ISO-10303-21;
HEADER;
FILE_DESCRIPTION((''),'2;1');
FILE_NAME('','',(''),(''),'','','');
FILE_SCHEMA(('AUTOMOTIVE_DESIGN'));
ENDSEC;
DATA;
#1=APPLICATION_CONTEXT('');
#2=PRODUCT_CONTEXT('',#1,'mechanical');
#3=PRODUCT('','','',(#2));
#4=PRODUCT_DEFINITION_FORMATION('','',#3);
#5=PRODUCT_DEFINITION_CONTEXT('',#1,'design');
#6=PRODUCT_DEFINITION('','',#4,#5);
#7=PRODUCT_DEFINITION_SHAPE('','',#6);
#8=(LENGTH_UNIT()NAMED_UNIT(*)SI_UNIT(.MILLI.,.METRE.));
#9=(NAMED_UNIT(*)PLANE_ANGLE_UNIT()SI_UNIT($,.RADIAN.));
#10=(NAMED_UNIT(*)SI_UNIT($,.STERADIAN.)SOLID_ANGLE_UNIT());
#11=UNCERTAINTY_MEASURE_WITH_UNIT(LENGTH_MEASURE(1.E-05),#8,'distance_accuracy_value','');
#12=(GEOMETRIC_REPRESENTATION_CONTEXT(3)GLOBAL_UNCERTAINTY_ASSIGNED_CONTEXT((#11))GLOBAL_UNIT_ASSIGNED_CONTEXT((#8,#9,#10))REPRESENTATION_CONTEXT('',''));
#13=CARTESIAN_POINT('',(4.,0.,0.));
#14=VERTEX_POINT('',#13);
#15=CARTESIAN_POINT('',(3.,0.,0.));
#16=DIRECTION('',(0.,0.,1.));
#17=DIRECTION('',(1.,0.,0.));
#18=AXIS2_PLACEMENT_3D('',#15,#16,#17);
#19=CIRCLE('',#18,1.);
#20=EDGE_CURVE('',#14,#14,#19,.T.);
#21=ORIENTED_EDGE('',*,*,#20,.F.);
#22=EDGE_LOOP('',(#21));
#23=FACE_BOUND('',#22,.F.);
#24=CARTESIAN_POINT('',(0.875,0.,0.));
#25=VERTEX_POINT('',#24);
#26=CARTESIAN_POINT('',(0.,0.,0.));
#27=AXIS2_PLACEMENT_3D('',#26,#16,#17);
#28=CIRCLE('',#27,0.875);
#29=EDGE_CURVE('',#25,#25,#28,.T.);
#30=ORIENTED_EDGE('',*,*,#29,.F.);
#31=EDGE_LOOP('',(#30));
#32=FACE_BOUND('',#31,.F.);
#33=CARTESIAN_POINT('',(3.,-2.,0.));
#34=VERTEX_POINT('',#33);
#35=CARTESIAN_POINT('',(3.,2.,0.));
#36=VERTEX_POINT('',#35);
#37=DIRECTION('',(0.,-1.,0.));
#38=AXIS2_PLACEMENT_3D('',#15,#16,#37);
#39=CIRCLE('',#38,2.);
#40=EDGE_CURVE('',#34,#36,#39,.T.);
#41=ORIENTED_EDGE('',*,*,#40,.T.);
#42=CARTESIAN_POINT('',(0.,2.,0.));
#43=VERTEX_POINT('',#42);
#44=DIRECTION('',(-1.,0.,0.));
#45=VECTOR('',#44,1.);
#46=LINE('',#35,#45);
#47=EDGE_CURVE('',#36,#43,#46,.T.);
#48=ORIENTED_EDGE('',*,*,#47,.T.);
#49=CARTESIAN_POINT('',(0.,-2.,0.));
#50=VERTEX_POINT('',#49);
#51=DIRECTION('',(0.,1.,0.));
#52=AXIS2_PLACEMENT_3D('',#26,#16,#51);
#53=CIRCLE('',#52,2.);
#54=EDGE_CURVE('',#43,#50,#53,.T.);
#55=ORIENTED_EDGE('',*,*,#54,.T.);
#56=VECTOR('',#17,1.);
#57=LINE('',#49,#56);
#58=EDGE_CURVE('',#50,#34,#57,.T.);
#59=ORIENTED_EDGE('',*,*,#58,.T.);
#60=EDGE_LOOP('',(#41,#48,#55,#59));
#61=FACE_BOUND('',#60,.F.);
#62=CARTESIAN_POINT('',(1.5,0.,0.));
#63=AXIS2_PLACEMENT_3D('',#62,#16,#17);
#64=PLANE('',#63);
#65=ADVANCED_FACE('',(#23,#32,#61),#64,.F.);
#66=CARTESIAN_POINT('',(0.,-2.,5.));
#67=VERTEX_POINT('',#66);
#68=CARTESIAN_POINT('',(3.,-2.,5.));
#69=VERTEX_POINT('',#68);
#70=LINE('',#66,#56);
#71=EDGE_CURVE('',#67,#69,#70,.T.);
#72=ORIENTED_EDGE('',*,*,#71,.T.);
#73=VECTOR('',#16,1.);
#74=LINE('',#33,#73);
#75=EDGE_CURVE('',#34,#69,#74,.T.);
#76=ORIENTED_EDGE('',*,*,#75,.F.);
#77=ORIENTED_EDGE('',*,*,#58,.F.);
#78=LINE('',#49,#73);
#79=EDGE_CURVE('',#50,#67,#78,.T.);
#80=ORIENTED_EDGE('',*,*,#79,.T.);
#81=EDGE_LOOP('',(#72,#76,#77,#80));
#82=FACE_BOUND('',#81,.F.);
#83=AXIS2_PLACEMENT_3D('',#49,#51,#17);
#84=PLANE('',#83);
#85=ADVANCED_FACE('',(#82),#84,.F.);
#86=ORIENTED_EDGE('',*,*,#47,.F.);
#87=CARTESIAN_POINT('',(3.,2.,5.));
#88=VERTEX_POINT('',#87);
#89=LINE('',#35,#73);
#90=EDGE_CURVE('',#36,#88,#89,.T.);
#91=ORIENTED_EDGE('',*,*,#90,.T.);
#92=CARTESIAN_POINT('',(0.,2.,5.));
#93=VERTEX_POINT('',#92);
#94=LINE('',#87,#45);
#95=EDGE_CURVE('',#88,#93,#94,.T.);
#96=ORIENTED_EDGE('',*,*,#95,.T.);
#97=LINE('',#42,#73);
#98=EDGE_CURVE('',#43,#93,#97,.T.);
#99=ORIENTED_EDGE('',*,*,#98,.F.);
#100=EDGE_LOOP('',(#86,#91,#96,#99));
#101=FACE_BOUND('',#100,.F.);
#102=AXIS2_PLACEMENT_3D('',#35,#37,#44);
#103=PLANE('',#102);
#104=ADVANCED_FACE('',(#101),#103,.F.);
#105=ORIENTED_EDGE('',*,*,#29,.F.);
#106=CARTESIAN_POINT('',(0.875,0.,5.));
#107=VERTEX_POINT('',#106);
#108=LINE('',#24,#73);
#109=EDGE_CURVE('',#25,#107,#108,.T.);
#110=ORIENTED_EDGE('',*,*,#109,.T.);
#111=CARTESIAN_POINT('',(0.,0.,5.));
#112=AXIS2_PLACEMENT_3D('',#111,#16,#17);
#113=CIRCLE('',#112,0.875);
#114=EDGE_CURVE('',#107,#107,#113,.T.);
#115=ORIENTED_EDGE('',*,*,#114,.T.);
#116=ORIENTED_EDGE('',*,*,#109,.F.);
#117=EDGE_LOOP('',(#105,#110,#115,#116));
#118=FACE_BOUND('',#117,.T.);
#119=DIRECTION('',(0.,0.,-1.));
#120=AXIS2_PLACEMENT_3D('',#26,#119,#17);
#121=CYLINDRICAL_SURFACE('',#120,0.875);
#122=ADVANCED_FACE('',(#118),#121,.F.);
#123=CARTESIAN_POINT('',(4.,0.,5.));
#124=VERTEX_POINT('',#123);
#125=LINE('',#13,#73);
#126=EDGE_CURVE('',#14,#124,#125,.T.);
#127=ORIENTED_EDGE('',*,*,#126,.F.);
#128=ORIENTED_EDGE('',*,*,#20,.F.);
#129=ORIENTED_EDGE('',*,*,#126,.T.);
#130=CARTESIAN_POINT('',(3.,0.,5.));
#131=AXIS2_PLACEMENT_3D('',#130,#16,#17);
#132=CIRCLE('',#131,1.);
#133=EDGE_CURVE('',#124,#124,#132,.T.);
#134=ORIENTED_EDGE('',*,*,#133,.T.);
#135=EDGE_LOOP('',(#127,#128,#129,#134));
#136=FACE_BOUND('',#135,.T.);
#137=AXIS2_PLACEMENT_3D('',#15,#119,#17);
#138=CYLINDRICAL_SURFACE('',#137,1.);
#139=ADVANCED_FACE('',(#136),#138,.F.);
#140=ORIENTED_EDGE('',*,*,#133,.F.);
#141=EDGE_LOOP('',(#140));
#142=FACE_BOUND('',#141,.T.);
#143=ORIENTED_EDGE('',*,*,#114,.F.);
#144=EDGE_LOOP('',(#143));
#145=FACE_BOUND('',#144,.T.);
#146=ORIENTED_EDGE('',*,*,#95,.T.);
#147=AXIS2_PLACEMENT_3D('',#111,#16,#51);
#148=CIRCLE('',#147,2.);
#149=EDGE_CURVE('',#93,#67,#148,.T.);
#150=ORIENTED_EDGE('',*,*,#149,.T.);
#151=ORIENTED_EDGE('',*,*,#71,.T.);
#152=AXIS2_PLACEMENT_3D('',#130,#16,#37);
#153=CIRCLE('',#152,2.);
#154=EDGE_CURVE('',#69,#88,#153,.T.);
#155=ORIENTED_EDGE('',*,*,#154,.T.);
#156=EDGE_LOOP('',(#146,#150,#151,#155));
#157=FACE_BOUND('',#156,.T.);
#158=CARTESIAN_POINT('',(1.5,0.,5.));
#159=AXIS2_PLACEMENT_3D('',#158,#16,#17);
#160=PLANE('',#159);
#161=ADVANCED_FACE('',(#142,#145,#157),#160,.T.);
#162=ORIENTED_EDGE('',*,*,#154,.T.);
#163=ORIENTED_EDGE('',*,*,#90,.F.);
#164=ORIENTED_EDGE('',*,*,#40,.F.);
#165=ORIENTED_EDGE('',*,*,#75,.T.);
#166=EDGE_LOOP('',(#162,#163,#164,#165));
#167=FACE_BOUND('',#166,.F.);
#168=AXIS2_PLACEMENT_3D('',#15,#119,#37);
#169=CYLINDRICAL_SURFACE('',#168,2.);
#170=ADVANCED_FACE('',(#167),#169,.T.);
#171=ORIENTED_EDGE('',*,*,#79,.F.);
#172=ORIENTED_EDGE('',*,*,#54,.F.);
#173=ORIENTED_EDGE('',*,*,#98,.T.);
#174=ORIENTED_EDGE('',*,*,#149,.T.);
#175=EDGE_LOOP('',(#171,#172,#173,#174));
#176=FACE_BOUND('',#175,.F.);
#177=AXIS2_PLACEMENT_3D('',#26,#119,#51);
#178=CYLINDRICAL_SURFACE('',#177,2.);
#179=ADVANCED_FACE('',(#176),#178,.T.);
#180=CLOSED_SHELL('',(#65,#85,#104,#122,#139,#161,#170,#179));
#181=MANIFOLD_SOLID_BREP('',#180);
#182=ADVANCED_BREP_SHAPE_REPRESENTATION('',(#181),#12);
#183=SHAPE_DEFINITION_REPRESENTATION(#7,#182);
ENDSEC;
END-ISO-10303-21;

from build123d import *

# Parameters (mm, degrees)
SKETCH_R   = 0.875
SKETCH_R_2 = 1
PAD_DEPTH  = 5


with BuildPart() as part:
    # Sketch → Pad (new body)
    with BuildSketch(Plane.XY):
        with BuildLine():
            ThreePointArc((0, 2), (-2, 0), (0, -2))
            Line((0, -2), (3, -2))
            ThreePointArc((3, -2), (5, 0), (3, 2))
            Line((3, 2), (0, 2))
        make_face()
        Circle(SKETCH_R, mode=Mode.SUBTRACT)
        with Locations((3, 0)):
            Circle(SKETCH_R_2, mode=Mode.SUBTRACT)
    extrude(amount=PAD_DEPTH)


solid = part.part
